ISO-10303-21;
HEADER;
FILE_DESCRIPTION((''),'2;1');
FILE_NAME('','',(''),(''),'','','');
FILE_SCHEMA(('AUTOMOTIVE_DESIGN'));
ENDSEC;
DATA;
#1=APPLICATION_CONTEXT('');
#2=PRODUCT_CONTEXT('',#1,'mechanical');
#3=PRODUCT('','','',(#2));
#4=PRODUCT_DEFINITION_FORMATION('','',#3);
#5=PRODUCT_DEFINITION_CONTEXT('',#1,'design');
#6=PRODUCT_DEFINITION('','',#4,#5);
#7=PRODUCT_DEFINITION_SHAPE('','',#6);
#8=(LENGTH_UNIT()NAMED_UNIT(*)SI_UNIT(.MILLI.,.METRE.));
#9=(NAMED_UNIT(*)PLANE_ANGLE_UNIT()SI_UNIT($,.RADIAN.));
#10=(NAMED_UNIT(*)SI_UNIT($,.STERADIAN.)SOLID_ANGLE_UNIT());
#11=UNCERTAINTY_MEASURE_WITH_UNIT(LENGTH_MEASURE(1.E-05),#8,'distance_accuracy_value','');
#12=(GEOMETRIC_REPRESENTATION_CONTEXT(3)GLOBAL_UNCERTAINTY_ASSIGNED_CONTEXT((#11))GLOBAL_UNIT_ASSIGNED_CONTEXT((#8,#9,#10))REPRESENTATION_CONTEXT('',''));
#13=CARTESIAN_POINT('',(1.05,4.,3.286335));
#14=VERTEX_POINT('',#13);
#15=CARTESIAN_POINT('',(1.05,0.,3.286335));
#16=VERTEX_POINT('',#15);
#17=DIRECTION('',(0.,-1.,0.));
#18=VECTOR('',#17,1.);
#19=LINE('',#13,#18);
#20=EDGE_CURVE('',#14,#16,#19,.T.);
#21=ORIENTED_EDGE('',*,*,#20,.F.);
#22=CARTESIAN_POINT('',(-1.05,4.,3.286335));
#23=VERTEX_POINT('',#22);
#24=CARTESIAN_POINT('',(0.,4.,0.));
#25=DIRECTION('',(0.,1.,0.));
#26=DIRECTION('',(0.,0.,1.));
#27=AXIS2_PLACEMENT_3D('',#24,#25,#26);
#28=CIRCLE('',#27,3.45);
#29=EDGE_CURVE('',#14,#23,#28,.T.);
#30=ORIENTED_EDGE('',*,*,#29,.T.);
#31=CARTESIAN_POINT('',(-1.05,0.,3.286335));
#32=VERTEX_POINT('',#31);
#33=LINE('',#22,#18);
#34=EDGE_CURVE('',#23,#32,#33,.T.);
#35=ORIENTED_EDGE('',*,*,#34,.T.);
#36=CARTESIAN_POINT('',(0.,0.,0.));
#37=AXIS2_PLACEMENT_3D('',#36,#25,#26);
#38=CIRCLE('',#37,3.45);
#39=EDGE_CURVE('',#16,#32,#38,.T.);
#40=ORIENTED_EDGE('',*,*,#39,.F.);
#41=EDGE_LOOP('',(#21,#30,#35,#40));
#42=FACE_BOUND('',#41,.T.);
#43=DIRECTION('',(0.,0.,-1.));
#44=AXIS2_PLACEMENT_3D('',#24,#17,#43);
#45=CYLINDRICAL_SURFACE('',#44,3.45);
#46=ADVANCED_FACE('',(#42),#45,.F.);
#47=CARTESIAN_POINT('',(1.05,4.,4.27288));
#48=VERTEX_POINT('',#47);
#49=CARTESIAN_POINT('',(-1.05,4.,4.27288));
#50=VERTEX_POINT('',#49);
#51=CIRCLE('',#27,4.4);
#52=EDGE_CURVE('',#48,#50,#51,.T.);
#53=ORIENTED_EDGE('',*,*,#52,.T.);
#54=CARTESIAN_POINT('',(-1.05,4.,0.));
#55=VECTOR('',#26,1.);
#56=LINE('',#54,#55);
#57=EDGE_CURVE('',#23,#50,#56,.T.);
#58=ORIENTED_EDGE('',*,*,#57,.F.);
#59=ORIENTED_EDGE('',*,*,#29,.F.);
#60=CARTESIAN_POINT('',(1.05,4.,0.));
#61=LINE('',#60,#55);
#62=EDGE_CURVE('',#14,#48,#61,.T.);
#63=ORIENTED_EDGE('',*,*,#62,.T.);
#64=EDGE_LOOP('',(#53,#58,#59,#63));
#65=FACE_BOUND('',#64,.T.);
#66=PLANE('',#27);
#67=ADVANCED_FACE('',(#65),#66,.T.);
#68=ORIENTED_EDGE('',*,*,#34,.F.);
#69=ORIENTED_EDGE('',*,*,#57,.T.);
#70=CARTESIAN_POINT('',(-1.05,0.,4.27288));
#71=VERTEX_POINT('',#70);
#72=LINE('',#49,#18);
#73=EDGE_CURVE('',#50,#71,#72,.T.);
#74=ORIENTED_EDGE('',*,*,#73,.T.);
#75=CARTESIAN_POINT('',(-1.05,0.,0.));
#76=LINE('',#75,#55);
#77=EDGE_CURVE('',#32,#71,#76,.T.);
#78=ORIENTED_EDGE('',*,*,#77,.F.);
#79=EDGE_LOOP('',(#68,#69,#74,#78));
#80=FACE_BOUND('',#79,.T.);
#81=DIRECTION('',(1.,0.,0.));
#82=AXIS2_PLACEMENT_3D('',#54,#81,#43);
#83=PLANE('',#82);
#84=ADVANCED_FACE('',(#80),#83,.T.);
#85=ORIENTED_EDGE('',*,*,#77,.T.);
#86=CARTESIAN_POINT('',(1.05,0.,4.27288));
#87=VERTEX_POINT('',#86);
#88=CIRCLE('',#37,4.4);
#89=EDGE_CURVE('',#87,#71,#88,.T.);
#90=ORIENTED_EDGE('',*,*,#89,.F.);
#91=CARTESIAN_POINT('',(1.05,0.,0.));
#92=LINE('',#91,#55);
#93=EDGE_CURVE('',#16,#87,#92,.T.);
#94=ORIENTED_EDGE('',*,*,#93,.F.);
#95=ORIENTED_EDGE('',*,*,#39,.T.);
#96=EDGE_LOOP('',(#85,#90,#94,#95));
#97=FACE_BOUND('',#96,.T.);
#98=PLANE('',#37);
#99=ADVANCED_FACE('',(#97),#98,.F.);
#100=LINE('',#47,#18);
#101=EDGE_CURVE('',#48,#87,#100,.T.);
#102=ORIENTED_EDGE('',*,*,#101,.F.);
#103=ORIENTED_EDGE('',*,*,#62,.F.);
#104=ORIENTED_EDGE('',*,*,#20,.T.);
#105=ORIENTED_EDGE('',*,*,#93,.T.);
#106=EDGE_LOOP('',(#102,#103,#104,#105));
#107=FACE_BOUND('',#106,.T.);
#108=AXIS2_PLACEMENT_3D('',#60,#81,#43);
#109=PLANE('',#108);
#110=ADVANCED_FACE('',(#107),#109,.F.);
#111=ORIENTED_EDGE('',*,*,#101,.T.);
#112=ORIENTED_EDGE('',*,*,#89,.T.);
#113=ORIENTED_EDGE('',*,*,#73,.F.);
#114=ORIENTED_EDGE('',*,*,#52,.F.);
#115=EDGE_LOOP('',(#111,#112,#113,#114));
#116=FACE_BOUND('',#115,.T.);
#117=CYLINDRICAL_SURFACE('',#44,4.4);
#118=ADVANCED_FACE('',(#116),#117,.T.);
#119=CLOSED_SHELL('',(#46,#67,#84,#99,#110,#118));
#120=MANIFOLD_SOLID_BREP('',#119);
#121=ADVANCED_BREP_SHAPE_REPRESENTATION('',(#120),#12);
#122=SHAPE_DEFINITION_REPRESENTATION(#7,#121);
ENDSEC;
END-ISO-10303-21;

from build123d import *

# Parameters (mm, degrees)
BOSS_EXTRUDE1_DEPTH = 4


with BuildPart() as part:
    # Sketch1 → Boss-Extrude1 (new body)
    with BuildSketch(Plane(origin=(0, 0, 0), x_dir=(1, 0, 0), z_dir=(0, 1, 0))):
        with BuildLine():
            Line((-1.05, -4.272879591), (-1.05, -3.286335345))
            ThreePointArc((-1.05, -3.286335345), (-2.034698995, 2.786126343), (3.45, 0))
            ThreePointArc((3.45, 0), (2.786126343, -2.034698995), (1.05, -3.286335345))
            Line((1.05, -3.286335345), (1.05, -4.272879591))
            ThreePointArc((1.05, -4.272879591), (3.462657939, -2.714774392), (4.4, 0))
            ThreePointArc((4.4, 0), (-2.714774392, 3.462657939), (-1.05, -4.272879591))
        make_face()
    extrude(amount=BOSS_EXTRUDE1_DEPTH)


solid = part.part
